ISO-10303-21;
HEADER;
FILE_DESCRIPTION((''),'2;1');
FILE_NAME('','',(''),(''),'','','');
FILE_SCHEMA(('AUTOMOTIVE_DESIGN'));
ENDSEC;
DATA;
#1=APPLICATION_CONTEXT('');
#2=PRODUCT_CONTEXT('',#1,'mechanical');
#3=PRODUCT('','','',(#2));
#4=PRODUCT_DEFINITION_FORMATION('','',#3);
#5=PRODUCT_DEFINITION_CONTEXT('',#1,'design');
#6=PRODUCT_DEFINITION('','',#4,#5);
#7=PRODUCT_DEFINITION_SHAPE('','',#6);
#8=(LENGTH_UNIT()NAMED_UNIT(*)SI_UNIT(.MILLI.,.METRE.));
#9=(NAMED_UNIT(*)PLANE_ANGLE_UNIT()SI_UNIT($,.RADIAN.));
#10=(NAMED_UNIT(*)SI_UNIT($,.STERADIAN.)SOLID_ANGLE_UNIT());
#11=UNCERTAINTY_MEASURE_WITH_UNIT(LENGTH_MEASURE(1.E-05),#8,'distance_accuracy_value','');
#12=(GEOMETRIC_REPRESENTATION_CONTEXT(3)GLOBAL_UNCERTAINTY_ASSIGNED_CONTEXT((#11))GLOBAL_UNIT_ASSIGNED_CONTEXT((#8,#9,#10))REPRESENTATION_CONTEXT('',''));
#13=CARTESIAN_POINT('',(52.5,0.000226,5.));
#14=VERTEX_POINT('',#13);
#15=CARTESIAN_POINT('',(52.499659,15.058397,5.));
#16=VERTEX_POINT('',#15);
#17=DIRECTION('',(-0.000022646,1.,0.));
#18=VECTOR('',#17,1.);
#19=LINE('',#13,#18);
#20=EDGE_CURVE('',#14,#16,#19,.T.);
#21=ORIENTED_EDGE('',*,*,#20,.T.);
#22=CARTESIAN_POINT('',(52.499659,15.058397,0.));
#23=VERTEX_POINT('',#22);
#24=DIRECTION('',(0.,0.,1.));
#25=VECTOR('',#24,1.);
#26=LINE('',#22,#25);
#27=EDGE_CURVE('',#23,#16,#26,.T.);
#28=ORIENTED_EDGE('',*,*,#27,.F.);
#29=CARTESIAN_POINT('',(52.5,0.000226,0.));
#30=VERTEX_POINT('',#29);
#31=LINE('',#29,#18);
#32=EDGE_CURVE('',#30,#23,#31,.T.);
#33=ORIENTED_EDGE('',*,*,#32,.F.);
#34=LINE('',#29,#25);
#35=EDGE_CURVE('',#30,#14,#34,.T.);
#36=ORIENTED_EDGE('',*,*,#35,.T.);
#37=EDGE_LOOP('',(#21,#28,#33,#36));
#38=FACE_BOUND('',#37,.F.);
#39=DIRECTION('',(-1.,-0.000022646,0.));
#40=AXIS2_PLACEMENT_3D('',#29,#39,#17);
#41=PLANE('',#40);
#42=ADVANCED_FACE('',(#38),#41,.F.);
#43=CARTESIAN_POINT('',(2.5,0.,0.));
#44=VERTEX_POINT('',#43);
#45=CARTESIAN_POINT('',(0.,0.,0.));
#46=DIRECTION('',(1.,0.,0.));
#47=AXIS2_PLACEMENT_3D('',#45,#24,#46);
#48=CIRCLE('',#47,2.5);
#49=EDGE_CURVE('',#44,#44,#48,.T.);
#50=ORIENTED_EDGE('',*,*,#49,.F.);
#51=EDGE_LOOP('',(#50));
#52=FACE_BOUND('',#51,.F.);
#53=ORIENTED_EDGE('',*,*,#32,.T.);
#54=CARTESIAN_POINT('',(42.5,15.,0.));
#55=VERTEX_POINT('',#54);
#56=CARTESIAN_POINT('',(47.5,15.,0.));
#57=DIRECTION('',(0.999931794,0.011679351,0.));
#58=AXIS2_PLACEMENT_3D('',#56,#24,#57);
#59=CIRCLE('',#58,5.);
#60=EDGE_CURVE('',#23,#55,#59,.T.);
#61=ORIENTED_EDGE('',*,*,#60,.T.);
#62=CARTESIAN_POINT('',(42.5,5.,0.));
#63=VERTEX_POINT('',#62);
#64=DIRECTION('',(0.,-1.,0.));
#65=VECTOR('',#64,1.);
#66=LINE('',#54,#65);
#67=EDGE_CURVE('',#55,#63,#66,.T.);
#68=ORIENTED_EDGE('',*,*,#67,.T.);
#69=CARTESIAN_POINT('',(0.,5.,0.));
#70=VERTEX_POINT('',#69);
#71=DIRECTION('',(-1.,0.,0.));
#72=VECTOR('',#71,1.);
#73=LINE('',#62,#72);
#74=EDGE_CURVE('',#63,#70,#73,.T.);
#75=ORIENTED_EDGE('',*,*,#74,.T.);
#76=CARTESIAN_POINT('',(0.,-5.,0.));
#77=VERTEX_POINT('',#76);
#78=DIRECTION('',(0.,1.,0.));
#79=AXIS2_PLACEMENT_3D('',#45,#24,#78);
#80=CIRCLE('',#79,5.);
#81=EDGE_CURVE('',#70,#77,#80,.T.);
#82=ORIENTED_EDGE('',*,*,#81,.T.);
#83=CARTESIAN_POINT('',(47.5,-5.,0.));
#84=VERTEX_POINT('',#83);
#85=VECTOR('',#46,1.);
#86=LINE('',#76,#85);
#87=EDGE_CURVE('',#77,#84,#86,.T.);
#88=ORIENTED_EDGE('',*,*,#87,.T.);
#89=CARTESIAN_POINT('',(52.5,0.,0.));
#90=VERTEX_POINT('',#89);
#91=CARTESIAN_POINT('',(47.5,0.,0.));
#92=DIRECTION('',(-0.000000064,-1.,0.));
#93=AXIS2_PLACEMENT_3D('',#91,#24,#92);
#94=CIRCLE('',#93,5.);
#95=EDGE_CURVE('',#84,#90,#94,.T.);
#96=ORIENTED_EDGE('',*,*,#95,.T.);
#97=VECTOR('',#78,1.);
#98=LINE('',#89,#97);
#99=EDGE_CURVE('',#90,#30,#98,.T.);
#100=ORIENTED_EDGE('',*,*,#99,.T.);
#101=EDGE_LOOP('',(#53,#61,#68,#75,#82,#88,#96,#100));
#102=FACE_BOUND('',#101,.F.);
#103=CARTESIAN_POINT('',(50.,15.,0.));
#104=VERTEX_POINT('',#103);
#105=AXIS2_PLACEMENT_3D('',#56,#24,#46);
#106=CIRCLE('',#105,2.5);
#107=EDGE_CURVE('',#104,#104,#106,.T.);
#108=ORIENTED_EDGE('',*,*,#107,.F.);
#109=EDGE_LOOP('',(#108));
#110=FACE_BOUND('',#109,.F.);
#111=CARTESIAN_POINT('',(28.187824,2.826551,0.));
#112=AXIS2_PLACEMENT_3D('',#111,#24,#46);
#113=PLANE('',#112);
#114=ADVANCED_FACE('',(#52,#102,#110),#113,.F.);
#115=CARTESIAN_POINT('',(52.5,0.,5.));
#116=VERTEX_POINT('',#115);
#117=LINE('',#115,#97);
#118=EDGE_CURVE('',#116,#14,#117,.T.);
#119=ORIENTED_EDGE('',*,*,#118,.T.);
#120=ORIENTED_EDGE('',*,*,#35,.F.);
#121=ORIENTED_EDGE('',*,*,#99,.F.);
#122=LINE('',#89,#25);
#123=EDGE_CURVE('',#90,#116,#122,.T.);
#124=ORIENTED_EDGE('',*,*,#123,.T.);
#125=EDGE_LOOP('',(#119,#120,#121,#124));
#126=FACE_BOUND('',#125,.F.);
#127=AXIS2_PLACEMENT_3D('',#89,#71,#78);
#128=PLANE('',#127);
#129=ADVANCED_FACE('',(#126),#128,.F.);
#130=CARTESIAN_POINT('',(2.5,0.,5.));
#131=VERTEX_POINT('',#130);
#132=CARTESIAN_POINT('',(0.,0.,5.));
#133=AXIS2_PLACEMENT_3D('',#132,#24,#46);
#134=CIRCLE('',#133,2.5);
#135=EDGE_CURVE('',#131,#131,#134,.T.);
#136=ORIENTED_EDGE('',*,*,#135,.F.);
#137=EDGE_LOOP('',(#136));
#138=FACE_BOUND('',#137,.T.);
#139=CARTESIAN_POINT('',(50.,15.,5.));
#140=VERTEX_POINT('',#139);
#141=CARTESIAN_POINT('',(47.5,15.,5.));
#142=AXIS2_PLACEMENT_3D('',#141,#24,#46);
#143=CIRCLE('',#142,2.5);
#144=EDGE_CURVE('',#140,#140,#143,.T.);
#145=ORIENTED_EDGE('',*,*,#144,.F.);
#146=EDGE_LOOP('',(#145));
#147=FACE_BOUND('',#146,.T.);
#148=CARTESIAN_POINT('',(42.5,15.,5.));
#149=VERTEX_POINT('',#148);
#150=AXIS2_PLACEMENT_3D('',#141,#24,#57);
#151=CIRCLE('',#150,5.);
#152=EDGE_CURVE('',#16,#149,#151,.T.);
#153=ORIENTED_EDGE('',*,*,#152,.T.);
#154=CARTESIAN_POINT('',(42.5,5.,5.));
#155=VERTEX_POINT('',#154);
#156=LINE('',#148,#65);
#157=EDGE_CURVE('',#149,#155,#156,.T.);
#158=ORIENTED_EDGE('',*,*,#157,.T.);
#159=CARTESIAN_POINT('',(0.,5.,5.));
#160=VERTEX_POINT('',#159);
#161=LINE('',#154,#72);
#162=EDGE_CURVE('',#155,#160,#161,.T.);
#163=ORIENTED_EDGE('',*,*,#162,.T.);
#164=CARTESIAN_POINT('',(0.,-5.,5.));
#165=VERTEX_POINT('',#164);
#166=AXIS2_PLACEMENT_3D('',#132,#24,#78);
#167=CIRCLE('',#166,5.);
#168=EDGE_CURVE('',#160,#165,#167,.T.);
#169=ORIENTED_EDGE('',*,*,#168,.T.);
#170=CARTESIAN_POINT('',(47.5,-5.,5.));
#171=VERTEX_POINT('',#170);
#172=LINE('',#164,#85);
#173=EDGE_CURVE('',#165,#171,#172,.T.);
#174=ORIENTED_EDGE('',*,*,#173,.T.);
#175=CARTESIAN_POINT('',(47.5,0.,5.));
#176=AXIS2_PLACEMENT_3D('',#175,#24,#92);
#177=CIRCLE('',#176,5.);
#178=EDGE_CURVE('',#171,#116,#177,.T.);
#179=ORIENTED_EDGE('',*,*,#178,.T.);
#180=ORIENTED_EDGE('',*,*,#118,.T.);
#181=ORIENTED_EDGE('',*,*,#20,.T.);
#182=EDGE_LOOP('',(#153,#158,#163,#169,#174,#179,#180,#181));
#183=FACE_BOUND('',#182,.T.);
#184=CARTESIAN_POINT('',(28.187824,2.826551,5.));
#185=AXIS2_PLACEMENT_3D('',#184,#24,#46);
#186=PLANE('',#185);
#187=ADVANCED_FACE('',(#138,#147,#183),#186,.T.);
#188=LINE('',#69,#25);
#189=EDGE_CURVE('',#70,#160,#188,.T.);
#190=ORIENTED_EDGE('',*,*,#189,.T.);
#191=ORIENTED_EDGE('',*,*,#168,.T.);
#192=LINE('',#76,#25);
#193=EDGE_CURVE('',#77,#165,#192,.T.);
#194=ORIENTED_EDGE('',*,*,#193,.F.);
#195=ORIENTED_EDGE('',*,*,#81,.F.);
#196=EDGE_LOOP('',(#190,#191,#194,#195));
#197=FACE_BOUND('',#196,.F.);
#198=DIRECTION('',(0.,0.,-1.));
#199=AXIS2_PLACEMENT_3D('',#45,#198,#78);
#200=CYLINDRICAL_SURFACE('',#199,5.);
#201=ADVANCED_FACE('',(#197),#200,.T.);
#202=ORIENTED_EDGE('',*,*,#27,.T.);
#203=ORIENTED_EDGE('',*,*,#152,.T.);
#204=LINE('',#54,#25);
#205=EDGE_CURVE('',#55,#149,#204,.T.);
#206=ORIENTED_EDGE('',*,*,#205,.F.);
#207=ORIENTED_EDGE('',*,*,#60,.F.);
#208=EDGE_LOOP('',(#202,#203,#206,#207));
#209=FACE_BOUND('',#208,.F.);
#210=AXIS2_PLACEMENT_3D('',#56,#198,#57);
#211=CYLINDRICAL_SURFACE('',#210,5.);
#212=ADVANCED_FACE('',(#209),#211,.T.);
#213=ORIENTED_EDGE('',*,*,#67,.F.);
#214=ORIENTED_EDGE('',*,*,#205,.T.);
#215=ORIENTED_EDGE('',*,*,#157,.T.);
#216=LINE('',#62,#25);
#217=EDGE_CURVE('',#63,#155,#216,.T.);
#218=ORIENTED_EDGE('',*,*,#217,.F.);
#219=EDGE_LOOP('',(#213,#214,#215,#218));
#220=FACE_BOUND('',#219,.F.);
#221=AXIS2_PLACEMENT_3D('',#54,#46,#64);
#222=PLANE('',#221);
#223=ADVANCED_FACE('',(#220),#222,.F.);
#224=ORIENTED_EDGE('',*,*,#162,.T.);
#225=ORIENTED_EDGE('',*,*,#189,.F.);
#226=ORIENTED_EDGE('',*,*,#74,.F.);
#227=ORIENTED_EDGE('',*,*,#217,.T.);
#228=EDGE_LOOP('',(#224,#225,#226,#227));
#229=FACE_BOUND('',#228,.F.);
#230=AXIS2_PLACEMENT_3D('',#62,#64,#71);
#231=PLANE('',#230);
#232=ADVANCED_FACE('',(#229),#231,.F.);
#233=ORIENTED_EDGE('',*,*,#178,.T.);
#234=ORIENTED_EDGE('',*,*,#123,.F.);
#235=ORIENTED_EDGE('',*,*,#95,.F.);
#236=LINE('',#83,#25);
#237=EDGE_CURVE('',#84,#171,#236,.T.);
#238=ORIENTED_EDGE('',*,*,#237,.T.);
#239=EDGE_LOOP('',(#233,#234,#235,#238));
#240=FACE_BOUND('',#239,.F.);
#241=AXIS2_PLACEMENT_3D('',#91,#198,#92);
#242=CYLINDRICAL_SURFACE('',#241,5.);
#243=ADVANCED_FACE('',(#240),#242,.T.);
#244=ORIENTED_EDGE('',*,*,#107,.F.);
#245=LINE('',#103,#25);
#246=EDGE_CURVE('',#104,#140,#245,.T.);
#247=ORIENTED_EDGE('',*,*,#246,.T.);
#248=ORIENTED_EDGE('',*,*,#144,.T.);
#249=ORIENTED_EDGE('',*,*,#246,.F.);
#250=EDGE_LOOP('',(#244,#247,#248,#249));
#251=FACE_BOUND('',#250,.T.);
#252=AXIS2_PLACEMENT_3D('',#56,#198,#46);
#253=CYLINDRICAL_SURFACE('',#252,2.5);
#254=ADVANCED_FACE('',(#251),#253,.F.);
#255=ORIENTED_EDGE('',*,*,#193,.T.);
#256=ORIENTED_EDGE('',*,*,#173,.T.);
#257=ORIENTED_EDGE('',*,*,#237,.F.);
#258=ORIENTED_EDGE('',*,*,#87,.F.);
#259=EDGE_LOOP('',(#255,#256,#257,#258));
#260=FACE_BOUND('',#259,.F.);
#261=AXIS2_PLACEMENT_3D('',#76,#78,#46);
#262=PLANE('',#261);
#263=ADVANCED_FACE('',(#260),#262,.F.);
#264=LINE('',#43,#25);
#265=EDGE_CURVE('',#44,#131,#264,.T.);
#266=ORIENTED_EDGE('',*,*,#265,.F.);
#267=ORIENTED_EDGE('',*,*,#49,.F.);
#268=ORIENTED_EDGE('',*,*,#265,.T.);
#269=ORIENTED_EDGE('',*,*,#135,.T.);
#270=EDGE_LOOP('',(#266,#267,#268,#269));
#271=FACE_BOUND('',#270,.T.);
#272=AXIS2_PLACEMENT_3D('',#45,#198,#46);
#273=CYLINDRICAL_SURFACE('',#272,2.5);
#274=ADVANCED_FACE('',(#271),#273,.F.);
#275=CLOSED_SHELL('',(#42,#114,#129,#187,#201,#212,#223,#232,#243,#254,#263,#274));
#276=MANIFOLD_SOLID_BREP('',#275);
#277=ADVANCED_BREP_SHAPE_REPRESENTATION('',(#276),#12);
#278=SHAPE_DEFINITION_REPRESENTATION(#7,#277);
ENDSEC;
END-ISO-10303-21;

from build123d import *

# Parameters (mm, degrees)
F0_R     = 2.5
F1_DEPTH = 5


with BuildPart() as f1:
    # F0 (on Top) → F1 (new body)
    with BuildSketch(Plane.XY):
        with BuildLine():
            ThreePointArc((0, 5), (-5, 0), (0, -5))
            Line((0, -5), (47.5, -5))
            ThreePointArc((47.5, -5), (51.035534, -3.535534), (52.5, 0))
            Line((52.5, 0), (52.5, 0.000226))
            Line((52.5, 0.000226), (52.499659, 15.058397))
            ThreePointArc((52.499659, 15.058397), (47.470801, 19.999915), (42.5, 15))
            Line((42.5, 15), (42.5, 5))
            Line((42.5, 5), (0, 5))
        make_face()
        Circle(F0_R, mode=Mode.SUBTRACT)
        with Locations((47.5, 15)):
            Circle(F0_R, mode=Mode.SUBTRACT)
    extrude(amount=F1_DEPTH)


solid = f1.part
